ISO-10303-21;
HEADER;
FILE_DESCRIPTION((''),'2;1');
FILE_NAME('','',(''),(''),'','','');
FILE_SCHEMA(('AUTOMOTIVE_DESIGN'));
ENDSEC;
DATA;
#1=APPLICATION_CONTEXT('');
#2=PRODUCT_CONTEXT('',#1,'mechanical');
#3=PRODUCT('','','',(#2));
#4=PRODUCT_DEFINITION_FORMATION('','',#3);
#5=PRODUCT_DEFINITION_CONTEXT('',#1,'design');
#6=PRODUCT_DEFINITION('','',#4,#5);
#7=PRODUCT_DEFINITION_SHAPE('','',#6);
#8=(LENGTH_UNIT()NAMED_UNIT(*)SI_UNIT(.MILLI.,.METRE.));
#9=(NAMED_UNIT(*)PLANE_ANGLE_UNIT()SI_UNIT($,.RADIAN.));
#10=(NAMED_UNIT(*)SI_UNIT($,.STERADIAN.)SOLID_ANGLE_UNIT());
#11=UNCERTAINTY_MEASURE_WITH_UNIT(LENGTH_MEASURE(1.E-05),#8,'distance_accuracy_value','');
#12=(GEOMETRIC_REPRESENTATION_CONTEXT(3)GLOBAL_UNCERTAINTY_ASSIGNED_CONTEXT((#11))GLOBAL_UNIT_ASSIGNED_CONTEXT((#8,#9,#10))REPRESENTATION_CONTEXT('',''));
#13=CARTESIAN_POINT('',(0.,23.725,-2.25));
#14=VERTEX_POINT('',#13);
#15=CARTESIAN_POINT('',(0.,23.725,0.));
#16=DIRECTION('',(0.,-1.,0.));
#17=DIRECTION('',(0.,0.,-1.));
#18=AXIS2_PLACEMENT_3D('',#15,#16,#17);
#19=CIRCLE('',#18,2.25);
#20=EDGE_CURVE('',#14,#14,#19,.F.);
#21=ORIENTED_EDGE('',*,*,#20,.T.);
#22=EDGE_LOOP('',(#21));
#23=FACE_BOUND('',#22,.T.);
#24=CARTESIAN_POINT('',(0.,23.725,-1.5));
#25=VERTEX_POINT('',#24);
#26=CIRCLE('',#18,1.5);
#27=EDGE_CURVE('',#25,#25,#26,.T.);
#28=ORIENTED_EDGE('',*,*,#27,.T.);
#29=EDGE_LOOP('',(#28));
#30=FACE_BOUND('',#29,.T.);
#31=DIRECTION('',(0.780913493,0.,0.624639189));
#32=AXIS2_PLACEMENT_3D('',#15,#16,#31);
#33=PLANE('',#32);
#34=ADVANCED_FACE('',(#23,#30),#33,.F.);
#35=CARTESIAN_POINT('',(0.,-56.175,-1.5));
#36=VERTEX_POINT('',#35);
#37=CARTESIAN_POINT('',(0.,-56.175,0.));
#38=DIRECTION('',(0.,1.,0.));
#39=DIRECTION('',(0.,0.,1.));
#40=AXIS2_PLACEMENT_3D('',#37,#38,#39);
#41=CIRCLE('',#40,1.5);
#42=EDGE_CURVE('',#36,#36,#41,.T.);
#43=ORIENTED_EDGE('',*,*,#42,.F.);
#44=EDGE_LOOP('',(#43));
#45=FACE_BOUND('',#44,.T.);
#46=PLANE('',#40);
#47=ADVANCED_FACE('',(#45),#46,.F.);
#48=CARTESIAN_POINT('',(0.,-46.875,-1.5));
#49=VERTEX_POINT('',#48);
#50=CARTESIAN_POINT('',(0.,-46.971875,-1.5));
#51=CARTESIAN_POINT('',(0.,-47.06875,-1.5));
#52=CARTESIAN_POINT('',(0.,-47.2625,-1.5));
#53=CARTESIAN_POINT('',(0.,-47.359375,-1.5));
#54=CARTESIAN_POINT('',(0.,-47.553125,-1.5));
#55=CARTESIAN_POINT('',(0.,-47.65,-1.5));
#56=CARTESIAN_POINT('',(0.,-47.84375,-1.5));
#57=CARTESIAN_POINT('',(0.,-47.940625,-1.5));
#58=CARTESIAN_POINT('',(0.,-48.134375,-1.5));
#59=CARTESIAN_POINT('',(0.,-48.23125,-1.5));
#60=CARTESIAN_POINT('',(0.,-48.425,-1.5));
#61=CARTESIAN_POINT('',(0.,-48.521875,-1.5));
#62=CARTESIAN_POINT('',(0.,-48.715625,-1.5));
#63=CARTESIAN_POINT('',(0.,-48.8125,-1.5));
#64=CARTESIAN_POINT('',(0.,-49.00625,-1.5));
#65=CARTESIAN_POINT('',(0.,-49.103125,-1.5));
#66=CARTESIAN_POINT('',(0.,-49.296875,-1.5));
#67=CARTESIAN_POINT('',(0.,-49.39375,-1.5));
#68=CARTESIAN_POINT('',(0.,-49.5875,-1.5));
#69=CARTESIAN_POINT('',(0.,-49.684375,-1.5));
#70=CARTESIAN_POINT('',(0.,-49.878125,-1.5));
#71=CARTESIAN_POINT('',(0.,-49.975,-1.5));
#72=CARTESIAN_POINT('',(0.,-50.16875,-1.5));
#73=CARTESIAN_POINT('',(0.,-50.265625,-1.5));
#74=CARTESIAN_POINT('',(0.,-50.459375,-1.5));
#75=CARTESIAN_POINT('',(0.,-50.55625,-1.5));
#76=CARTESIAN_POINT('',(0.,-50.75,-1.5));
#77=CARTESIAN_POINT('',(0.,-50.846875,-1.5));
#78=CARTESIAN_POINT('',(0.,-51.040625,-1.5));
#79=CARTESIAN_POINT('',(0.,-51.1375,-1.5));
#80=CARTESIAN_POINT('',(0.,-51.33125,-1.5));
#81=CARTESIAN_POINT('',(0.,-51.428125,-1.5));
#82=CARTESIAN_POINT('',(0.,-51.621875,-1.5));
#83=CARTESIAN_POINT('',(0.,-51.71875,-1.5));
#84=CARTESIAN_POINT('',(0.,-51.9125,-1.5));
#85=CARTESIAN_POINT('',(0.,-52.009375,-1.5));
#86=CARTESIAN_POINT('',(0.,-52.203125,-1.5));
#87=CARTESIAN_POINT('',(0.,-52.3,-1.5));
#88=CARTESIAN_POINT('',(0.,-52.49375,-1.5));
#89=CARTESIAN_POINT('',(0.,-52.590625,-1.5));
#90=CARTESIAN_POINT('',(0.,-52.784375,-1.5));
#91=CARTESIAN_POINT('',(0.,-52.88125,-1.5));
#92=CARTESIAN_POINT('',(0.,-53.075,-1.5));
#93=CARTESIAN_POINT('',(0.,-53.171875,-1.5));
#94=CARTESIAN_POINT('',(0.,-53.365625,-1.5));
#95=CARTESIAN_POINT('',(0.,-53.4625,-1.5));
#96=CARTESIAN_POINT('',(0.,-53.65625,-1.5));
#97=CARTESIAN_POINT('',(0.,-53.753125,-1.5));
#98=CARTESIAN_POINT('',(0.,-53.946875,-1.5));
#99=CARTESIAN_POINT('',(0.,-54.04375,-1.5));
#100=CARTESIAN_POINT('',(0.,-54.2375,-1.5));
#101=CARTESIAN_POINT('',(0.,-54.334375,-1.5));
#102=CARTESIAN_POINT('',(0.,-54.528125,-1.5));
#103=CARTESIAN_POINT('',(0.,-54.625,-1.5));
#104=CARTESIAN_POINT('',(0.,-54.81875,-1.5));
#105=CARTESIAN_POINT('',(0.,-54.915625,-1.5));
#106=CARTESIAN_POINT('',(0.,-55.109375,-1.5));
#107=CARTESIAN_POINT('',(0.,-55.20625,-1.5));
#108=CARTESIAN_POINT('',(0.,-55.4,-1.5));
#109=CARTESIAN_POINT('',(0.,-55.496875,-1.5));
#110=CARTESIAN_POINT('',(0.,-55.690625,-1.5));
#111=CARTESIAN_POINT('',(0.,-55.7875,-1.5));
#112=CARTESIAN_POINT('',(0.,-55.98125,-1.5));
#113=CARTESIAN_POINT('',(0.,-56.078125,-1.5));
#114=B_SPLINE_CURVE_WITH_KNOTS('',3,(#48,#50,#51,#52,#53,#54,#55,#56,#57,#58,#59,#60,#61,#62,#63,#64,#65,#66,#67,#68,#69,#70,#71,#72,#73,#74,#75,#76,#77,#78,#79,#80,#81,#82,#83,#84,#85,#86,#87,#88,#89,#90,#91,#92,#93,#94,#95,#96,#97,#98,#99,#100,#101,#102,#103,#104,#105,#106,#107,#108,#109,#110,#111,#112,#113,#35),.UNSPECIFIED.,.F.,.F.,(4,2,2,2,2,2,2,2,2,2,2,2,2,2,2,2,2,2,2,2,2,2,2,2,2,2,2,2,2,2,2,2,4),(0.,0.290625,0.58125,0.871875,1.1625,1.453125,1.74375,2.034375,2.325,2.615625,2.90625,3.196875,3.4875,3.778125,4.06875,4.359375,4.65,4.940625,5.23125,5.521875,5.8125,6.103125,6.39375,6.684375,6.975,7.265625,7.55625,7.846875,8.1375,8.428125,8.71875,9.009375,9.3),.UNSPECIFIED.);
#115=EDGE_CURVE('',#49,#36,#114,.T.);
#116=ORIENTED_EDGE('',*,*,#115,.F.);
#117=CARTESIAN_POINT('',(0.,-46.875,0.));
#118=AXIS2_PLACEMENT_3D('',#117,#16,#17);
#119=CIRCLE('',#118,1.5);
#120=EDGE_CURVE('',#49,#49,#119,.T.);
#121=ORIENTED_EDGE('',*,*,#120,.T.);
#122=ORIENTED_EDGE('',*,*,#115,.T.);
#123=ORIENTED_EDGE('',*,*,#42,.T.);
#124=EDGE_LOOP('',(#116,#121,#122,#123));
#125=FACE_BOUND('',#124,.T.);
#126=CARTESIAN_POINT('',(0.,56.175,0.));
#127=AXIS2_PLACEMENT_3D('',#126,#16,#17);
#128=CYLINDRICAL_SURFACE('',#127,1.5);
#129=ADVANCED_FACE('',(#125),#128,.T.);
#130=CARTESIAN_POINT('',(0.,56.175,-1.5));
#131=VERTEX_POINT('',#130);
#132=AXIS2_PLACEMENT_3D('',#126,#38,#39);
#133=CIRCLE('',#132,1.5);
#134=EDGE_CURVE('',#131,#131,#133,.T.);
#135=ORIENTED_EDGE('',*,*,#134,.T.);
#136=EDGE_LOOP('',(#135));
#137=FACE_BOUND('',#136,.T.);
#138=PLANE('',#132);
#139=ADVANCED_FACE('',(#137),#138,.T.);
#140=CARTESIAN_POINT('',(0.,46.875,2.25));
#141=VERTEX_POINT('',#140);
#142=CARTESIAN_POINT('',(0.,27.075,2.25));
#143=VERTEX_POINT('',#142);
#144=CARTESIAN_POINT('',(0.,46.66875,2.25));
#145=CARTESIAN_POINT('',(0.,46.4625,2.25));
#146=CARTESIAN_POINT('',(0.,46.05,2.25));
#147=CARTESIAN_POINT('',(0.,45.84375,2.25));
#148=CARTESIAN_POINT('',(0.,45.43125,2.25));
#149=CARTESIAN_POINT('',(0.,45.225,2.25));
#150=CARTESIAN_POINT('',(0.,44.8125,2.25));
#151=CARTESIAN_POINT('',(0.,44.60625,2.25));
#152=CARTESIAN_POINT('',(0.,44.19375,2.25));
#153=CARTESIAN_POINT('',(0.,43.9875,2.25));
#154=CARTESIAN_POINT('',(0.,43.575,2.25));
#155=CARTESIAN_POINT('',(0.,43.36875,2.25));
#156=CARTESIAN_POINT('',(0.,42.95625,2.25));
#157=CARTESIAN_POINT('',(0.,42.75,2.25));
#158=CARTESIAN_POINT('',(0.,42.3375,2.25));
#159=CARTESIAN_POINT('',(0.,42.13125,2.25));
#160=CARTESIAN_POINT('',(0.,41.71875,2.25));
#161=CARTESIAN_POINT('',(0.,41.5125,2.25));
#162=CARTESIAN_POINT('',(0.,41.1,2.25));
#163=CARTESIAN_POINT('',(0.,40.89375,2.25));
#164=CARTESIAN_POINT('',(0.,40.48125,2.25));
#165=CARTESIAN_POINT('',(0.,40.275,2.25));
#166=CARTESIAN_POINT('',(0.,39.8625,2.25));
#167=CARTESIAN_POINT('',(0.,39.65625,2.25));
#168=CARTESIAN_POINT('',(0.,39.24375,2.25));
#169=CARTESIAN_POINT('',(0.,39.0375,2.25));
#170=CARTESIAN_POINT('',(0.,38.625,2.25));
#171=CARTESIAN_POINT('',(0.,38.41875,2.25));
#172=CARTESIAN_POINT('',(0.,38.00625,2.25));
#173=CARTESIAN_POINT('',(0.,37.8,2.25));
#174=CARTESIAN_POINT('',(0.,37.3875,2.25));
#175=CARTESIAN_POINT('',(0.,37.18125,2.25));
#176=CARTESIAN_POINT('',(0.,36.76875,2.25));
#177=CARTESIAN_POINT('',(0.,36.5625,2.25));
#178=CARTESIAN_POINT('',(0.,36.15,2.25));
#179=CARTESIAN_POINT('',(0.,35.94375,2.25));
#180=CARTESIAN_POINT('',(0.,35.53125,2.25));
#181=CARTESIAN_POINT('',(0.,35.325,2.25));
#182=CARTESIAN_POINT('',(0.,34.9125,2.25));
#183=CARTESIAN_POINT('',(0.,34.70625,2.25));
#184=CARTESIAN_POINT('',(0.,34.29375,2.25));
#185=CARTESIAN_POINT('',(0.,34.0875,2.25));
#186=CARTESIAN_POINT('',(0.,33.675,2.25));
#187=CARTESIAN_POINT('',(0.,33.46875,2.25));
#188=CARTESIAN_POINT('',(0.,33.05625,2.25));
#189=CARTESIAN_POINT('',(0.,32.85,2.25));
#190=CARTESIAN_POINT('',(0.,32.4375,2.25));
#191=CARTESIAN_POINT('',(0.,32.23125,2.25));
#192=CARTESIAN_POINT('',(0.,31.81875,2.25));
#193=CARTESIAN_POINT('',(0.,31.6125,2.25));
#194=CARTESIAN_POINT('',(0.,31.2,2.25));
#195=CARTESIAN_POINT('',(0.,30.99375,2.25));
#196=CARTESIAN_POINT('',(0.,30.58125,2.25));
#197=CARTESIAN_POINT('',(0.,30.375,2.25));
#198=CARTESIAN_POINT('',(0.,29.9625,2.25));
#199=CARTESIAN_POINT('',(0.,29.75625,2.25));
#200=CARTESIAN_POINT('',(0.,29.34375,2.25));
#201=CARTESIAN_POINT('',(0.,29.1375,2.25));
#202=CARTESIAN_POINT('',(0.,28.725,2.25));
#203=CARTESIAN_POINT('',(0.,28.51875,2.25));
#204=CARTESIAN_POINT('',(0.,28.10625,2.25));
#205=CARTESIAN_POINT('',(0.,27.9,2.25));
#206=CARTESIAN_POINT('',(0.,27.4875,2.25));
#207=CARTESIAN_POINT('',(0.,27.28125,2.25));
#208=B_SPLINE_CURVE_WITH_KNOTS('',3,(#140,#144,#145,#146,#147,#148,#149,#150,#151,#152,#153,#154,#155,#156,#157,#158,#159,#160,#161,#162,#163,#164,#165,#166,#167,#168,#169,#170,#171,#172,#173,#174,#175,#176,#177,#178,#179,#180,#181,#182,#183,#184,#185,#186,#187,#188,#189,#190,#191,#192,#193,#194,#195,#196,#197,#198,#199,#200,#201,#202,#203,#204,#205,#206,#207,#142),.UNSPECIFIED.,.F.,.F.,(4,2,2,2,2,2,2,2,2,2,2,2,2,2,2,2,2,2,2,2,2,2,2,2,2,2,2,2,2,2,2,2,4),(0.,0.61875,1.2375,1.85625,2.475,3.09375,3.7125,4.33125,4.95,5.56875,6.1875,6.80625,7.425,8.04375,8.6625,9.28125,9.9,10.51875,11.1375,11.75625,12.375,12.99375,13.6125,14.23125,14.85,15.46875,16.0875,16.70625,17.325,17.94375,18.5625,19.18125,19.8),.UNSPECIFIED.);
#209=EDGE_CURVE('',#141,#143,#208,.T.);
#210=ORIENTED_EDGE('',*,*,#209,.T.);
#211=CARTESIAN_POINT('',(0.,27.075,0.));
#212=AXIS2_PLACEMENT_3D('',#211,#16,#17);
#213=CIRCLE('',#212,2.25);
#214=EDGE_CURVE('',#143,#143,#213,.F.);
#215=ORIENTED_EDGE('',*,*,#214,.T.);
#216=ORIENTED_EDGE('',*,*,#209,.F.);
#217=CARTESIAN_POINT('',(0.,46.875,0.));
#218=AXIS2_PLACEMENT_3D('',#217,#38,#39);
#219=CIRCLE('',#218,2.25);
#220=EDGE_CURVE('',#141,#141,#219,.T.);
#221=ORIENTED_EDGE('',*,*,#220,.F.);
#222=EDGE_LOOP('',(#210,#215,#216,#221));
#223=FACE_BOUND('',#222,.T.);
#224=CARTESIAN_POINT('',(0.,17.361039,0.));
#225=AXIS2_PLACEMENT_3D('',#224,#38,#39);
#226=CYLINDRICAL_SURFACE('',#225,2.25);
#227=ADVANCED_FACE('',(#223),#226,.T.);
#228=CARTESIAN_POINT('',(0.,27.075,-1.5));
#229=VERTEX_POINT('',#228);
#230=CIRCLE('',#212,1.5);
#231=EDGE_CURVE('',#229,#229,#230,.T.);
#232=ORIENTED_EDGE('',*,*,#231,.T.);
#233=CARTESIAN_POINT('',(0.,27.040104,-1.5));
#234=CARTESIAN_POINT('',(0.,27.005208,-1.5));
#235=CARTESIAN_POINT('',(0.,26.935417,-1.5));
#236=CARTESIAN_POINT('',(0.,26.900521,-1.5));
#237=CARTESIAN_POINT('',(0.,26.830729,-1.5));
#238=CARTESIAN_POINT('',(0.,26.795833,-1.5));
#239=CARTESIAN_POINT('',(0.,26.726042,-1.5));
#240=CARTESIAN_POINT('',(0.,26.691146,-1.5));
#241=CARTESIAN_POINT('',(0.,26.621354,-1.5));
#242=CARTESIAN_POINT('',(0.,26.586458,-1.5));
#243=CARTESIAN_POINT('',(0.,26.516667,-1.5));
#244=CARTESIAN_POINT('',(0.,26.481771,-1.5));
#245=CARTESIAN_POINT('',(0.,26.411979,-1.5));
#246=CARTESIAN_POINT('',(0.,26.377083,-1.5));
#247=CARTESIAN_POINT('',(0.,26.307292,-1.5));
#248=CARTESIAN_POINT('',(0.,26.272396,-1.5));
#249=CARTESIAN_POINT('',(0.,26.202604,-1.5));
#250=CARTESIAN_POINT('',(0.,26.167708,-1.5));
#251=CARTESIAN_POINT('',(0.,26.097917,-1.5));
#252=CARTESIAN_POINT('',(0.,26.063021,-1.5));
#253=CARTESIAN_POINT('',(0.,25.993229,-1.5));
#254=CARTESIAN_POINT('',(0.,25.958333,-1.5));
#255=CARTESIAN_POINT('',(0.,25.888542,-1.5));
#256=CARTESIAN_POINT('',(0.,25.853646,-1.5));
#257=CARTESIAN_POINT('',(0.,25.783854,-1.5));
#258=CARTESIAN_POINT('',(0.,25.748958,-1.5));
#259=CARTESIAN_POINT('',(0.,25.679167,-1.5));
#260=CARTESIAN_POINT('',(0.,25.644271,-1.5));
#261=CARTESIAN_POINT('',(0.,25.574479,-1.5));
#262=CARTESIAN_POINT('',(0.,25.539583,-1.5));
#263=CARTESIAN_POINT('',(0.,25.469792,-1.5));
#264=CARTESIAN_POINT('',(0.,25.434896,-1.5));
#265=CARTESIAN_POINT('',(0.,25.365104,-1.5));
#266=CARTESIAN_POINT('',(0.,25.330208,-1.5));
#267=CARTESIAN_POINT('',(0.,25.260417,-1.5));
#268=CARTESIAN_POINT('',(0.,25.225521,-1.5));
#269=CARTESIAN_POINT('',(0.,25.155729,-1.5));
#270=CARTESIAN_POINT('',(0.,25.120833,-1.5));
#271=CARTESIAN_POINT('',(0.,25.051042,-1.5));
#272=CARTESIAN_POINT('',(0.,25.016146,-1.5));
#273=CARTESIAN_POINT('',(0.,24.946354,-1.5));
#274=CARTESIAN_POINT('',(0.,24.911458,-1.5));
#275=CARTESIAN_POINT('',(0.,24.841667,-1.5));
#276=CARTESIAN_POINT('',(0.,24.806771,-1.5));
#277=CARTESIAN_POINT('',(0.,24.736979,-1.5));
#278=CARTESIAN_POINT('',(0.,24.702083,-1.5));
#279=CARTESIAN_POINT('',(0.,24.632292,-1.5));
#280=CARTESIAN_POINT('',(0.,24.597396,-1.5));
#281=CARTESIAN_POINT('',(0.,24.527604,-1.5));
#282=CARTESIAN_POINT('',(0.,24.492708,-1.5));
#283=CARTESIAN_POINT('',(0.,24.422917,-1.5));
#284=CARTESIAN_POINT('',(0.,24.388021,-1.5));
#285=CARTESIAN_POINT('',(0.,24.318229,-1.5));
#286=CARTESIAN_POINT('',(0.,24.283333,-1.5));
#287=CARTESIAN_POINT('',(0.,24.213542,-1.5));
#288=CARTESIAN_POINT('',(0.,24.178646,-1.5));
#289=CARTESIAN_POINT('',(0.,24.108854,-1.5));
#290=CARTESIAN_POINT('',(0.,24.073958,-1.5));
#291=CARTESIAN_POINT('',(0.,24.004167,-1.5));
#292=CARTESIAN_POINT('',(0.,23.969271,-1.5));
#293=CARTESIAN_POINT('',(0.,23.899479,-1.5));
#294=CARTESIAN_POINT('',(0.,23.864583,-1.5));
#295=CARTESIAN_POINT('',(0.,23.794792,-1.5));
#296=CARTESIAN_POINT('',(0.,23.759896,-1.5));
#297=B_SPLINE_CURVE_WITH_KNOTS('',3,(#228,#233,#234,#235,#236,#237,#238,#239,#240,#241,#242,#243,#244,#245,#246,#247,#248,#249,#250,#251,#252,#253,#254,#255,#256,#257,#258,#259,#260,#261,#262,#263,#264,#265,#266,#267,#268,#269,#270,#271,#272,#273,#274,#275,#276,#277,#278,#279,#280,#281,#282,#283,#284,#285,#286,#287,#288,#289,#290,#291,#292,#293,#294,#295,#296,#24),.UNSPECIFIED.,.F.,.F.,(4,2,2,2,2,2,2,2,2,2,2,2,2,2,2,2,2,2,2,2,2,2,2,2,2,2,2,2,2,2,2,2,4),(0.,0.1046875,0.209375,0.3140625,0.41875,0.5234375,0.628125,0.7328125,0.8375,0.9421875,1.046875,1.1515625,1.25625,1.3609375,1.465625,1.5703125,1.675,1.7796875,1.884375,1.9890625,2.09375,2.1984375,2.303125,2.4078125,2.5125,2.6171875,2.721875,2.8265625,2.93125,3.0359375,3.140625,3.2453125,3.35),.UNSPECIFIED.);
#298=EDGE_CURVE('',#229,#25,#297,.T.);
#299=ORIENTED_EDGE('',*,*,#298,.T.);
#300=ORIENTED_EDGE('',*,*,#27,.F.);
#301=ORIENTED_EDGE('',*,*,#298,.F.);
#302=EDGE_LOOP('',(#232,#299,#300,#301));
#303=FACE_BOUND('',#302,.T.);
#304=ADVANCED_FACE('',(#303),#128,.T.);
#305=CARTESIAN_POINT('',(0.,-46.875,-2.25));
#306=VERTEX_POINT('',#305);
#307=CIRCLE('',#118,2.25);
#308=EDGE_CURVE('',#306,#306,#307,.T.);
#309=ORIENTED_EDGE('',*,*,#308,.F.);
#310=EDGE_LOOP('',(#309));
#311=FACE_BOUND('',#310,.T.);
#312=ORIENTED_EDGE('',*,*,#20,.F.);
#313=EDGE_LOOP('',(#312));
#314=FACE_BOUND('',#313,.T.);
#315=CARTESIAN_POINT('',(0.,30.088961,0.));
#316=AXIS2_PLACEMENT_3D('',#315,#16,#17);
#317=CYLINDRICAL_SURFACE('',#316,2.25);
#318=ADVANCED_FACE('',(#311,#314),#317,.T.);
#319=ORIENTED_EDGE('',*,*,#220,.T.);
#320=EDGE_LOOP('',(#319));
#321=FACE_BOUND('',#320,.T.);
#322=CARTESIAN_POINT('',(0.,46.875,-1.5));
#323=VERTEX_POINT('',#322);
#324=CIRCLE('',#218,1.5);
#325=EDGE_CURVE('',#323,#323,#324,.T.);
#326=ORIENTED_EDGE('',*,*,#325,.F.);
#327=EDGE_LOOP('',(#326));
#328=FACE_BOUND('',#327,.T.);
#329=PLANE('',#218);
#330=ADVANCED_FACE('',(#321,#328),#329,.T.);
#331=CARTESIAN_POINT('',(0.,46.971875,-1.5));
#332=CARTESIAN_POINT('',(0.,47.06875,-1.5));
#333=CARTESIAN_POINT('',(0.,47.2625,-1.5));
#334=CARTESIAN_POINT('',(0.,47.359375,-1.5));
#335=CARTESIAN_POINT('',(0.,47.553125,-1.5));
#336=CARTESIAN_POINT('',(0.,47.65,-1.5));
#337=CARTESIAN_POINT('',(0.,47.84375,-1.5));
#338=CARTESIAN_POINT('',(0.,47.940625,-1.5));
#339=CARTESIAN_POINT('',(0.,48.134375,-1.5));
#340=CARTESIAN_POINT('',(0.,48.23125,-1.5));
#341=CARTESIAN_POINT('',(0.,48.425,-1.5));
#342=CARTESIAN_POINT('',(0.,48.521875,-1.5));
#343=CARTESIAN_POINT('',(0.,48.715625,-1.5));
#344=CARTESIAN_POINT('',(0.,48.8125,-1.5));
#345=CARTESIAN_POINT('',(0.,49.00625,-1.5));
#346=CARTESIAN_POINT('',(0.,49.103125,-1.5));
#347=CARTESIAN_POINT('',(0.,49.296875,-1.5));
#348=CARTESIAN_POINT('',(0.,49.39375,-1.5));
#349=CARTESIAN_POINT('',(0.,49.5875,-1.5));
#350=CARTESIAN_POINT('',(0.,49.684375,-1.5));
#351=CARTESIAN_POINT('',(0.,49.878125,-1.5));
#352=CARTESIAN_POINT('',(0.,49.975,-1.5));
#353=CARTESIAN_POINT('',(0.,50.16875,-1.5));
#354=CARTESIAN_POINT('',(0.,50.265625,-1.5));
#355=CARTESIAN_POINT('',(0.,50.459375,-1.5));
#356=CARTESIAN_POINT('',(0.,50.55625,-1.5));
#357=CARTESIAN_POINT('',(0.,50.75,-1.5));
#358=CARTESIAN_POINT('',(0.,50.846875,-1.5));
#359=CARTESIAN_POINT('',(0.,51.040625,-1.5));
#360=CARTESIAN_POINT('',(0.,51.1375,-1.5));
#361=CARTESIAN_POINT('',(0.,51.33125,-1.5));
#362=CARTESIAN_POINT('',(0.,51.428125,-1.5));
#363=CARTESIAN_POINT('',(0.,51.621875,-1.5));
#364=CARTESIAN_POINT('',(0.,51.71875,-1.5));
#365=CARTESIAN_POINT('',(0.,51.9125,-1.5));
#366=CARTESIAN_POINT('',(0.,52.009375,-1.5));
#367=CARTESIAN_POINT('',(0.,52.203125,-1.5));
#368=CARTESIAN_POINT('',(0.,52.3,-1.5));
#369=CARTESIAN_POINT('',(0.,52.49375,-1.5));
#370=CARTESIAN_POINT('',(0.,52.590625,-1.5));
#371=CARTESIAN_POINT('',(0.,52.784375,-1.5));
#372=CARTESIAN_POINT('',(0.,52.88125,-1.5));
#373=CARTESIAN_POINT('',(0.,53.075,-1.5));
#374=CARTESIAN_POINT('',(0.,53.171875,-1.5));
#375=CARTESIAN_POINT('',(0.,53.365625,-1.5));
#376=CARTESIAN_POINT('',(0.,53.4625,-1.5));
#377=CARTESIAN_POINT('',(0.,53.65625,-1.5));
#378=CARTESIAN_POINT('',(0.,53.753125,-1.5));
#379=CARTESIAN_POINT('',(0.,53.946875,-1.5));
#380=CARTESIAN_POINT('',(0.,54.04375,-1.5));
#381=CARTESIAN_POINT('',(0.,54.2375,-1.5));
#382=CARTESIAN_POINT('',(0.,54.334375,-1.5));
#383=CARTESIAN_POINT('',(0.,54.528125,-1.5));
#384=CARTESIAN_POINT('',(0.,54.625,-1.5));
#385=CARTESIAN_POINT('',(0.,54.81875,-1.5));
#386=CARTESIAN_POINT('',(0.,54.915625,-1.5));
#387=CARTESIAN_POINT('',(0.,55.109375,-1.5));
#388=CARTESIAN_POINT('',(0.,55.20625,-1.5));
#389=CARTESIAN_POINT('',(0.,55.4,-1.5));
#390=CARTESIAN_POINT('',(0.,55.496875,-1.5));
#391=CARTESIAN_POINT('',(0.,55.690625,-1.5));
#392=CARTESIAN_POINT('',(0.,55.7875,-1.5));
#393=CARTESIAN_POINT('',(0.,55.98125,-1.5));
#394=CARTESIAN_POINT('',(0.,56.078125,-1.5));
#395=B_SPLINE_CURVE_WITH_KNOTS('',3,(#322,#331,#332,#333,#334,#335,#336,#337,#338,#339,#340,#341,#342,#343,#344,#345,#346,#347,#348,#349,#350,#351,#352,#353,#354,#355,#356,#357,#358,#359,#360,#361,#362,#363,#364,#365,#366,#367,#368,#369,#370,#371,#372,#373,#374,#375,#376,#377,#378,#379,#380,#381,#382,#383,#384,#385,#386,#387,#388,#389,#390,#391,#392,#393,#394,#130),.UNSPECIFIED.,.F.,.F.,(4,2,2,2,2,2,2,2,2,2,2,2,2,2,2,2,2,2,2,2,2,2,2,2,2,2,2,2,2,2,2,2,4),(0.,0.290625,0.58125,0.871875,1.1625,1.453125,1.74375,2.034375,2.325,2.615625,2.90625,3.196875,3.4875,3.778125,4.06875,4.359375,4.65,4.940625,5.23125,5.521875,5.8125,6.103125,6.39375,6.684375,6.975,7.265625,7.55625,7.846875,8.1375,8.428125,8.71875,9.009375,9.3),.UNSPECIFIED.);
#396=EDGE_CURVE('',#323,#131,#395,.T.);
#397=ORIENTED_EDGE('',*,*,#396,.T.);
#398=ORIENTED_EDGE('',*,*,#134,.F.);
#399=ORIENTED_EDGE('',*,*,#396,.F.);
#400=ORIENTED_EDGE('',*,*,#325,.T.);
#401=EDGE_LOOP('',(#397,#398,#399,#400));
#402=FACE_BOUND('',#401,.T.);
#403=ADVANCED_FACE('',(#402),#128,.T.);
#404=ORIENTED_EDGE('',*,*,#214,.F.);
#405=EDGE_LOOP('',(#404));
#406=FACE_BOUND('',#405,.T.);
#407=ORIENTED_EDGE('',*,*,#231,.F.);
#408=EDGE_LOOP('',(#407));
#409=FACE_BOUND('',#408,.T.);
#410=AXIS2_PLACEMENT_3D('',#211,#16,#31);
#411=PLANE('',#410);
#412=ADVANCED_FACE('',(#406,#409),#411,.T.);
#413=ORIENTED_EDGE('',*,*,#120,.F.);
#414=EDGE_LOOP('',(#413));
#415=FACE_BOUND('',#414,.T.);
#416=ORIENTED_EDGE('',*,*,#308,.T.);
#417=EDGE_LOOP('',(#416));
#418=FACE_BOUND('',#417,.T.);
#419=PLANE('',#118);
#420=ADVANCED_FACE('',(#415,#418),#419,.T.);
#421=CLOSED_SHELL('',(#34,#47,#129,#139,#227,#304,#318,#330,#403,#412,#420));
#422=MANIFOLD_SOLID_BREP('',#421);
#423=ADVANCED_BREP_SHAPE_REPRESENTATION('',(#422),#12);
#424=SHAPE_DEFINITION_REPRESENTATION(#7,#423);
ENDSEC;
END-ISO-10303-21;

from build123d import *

# Parameters (mm, degrees)
SKETCH_1_R      = 1.5
EXTRUDE_1_DEPTH = 56.175
EXTRUDE_START   = -9.3
SKETCH_2_R      = 2.25
EXTRUDE_2_DEPTH = 70.6
EXTRUDE_START_2 = -29.1
SKETCH_3_R      = 2.25
EXTRUDE_3_DEPTH = 19.8


with BuildPart() as part:
    # 草图1 → 凸台-拉伸1 (new, symmetric)
    with BuildSketch(Plane(origin=(0, 0, 0), x_dir=(1, 0, 0), z_dir=(0, 1, 0))):
        with Locations(Location((0, 0, 0), (0, 0, 90))):
            Circle(SKETCH_1_R)
    extrude(amount=EXTRUDE_1_DEPTH, both=True)

    # 草图2 → 凸台-拉伸2 (add)
    with BuildSketch(Plane.XZ.offset(56.175).offset(EXTRUDE_START)):
        with Locations(Location((0, 0, 0), (0, 0, 270))):
            Circle(SKETCH_2_R)
    extrude(amount=-EXTRUDE_2_DEPTH)

    # 草图3 → 凸台-拉伸3 (add)
    with BuildSketch(Plane(origin=(0, 56.175, 0), x_dir=(1, 0, 0), z_dir=(0, 1, 0)).offset(EXTRUDE_START_2)):
        with Locations(Location((0, 0, 0), (0, 0, 90))):
            Circle(SKETCH_3_R)
    extrude(amount=EXTRUDE_3_DEPTH)


solid = part.part
